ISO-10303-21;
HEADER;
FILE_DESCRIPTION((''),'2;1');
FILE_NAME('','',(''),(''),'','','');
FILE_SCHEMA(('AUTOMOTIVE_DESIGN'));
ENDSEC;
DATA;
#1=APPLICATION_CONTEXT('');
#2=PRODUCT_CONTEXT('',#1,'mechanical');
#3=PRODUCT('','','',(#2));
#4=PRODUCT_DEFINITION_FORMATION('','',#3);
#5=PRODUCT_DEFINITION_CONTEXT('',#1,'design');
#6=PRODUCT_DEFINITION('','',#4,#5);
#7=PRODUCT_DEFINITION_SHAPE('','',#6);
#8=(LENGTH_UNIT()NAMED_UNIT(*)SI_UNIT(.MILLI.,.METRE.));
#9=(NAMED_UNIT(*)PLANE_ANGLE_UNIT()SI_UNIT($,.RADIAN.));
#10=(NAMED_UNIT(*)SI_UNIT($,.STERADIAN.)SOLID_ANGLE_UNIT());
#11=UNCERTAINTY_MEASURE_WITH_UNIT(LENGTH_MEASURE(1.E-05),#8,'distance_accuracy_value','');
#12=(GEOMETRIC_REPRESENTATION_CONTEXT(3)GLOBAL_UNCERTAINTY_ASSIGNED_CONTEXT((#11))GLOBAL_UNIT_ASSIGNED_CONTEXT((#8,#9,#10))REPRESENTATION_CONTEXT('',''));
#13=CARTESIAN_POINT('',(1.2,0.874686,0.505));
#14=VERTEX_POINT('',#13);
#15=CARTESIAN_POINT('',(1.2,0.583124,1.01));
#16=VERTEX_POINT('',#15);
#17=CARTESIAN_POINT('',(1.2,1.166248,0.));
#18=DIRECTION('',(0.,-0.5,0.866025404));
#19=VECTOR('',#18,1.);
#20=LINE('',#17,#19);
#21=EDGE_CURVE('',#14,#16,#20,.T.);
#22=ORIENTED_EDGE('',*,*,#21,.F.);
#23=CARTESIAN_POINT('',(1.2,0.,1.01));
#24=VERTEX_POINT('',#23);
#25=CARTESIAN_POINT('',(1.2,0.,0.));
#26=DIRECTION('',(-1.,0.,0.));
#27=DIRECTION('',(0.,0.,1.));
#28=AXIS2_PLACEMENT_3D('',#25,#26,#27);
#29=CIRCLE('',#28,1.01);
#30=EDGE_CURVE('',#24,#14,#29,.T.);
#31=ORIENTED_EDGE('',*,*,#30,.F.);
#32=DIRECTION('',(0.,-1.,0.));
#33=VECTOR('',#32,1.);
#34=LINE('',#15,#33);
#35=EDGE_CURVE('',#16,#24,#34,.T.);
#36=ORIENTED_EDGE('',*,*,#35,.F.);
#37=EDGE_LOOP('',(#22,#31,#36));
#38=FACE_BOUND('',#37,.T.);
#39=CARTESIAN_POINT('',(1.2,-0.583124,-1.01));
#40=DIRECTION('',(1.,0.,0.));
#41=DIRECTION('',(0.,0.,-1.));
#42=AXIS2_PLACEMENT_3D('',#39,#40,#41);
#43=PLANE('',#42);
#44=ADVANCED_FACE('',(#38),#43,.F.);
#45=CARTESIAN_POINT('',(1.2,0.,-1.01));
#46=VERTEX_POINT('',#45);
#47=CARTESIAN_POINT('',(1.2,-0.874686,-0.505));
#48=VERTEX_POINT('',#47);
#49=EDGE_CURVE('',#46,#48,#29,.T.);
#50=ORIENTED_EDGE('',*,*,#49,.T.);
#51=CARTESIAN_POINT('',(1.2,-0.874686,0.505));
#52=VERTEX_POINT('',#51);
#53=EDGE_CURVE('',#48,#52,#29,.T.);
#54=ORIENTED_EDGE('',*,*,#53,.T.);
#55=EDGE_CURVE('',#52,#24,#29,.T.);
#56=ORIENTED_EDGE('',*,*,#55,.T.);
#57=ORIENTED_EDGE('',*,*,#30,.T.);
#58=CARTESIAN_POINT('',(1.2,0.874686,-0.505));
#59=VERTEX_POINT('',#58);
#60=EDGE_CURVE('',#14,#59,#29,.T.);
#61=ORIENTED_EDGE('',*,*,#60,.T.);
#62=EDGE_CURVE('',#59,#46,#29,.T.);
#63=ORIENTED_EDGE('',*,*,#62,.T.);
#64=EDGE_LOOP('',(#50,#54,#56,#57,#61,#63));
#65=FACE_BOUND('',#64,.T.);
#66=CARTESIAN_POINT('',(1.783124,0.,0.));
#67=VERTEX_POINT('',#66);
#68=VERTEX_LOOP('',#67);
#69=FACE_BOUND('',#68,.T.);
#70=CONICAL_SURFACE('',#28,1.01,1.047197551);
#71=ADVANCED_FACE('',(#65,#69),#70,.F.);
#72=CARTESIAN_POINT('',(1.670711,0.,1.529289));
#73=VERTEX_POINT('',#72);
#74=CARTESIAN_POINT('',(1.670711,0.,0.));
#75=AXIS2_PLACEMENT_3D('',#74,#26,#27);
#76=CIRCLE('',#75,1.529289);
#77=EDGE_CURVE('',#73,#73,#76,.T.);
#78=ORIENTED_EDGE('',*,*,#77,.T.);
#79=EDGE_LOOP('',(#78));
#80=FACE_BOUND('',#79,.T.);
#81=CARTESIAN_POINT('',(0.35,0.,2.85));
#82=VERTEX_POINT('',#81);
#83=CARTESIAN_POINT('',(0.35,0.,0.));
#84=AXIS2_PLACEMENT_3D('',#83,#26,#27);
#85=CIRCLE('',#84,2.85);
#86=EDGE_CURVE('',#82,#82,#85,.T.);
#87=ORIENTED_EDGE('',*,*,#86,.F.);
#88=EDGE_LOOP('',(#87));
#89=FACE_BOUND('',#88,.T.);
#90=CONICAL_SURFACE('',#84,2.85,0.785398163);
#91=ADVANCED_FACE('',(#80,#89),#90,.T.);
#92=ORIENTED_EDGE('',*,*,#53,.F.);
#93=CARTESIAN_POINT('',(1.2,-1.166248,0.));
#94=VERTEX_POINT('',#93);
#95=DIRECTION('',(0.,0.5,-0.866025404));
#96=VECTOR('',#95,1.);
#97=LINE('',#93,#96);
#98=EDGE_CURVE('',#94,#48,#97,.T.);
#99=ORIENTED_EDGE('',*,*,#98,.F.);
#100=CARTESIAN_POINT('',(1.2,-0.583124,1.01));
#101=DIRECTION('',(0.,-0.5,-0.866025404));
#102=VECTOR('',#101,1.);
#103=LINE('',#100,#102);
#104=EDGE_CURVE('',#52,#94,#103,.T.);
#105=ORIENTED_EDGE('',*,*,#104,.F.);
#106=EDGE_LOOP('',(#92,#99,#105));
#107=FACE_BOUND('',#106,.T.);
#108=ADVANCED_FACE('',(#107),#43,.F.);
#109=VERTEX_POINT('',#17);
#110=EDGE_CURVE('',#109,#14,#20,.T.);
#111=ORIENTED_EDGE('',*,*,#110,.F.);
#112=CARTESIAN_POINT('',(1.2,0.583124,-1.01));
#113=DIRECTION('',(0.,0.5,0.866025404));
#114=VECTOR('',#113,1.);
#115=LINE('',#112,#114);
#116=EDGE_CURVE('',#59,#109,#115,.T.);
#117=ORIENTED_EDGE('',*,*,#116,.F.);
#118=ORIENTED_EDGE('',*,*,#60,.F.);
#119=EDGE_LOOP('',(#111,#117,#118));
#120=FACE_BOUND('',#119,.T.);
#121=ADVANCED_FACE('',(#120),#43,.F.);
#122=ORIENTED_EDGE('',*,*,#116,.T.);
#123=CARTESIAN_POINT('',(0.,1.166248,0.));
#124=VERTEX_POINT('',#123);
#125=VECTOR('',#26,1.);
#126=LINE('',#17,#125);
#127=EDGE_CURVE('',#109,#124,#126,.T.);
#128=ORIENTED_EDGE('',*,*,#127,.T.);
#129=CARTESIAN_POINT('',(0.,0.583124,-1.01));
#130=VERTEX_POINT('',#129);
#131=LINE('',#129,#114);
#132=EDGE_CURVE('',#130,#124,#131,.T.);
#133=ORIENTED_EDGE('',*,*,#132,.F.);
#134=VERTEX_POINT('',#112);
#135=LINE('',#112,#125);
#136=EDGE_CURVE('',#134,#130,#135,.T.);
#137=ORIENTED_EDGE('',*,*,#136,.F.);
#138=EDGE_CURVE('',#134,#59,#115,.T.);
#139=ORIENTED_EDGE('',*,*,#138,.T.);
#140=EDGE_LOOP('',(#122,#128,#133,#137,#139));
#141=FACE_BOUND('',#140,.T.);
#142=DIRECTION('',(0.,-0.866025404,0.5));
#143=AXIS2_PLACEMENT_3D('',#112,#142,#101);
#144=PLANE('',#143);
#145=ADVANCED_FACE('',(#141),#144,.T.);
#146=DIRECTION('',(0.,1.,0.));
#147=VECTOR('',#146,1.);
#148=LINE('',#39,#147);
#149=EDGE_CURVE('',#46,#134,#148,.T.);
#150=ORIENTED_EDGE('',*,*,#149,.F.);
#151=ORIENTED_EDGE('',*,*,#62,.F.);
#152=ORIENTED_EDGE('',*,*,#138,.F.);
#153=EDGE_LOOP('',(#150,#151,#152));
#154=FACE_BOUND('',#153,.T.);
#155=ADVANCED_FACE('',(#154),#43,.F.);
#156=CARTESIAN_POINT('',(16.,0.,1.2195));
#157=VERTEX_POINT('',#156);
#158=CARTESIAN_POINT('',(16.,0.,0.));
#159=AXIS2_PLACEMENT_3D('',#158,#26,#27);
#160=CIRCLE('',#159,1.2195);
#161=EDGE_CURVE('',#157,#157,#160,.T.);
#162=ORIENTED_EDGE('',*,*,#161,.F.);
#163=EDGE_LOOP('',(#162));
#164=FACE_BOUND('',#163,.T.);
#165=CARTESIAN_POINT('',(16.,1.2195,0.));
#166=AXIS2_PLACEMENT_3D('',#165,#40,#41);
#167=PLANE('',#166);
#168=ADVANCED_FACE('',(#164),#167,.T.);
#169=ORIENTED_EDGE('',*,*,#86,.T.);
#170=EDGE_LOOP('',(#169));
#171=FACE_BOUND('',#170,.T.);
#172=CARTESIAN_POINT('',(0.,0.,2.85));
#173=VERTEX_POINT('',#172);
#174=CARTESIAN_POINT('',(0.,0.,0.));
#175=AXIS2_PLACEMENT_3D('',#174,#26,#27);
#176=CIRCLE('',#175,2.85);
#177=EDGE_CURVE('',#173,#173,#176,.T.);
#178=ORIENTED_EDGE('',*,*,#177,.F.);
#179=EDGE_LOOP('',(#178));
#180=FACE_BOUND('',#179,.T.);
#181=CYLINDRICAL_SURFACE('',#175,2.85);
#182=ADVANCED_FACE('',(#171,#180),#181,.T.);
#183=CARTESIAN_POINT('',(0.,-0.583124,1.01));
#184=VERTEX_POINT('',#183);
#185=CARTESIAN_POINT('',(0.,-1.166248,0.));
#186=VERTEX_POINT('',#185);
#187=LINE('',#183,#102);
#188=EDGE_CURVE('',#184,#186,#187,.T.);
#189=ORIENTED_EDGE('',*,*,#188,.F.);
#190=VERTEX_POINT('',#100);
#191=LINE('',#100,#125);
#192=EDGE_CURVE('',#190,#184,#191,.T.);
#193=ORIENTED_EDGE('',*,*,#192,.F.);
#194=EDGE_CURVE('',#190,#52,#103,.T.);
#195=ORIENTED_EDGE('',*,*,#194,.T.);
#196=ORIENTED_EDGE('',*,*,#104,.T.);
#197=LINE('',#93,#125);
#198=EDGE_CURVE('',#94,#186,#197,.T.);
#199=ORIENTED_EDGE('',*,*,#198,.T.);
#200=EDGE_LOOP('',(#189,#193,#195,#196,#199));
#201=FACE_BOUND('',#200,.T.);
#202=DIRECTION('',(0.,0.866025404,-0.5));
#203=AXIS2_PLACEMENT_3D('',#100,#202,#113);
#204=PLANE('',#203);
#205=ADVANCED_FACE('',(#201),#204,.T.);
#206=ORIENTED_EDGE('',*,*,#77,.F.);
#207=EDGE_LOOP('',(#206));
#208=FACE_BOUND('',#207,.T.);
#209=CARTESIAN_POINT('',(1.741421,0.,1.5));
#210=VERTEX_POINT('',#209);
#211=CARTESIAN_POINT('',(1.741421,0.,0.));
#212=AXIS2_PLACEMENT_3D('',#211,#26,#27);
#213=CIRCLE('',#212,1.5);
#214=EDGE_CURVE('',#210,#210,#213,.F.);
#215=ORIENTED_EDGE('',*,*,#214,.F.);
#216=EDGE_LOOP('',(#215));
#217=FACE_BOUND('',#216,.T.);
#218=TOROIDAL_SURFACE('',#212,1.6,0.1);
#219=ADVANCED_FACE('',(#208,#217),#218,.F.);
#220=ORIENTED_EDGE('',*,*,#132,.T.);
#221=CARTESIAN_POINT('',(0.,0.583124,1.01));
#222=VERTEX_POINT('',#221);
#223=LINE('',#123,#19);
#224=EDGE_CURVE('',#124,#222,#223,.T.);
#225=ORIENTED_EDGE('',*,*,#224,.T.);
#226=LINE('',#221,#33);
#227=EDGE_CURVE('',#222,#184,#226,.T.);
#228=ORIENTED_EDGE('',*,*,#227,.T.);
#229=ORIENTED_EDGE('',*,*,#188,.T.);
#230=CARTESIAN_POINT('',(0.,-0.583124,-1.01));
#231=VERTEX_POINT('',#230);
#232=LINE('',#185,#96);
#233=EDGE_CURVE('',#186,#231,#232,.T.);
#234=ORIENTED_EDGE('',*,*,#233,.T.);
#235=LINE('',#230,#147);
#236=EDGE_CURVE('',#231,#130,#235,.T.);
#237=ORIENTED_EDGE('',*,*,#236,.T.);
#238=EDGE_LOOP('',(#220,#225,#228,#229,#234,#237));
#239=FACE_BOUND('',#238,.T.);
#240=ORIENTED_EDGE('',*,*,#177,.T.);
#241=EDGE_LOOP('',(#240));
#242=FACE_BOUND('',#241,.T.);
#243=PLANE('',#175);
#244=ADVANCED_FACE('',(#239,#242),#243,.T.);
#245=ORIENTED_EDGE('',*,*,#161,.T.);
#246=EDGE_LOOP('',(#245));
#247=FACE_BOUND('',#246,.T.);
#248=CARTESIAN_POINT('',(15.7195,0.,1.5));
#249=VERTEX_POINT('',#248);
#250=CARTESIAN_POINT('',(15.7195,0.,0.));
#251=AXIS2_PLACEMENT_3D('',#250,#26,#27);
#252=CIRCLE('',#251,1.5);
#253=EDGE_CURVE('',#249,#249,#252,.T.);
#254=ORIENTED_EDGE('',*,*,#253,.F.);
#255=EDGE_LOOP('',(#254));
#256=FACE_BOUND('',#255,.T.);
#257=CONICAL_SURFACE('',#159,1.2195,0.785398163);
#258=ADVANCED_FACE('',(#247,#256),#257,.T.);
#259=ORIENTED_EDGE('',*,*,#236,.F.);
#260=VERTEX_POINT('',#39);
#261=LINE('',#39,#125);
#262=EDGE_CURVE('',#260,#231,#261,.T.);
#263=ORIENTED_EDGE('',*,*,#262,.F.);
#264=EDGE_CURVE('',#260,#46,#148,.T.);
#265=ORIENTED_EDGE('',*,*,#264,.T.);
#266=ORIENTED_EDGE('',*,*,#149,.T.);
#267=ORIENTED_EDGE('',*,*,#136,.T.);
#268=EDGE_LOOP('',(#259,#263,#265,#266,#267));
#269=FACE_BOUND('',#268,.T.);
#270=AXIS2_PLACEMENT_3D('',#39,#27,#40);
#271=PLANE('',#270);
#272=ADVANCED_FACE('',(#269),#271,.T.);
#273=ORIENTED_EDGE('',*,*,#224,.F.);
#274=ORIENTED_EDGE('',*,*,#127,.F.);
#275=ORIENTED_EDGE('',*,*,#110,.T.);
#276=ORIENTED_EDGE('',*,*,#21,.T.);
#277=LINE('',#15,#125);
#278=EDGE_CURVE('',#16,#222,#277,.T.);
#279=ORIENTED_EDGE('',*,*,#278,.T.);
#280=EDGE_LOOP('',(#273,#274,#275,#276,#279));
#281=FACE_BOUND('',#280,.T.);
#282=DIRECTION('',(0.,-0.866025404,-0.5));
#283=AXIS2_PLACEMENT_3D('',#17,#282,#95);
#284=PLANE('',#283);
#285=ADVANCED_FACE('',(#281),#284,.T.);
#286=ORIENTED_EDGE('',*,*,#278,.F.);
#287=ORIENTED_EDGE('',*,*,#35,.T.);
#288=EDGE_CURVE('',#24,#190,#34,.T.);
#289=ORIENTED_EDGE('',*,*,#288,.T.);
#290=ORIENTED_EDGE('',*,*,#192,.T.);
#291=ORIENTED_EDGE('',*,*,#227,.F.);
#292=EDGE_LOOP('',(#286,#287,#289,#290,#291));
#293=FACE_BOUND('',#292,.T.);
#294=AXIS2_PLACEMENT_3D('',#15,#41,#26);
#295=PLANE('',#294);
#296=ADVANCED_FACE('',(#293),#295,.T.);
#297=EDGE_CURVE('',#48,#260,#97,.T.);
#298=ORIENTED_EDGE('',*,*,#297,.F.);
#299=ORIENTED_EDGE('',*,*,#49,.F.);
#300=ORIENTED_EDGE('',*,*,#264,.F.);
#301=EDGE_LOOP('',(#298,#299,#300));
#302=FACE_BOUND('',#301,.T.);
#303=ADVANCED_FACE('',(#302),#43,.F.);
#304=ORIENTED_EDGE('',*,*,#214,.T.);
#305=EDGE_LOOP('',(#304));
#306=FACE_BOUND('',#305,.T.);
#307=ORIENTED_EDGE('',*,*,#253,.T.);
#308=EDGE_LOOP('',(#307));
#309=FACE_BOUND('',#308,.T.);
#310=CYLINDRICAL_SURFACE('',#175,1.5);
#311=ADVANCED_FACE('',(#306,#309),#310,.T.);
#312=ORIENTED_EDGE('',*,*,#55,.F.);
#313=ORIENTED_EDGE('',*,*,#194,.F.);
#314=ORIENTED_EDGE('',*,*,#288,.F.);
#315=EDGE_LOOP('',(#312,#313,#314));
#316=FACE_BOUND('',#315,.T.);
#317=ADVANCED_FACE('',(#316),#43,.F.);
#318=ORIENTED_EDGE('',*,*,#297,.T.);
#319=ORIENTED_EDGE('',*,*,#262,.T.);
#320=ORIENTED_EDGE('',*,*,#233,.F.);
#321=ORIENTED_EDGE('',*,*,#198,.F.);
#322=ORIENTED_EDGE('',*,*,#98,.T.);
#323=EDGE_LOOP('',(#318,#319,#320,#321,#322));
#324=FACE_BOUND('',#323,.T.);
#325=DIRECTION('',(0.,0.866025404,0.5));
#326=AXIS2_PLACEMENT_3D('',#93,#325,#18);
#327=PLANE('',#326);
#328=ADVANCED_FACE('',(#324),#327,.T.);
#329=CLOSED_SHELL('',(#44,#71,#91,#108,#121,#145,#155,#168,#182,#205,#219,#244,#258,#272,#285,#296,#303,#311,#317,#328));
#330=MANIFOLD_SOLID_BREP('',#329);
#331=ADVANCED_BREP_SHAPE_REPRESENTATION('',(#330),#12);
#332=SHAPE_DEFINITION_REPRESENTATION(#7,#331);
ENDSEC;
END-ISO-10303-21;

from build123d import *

# Parameters (mm, degrees)
FILLET1_R   = 0.1
HEX_2_DEPTH = 1.2


with BuildPart() as part:
    # BodySke → BaseBody (revolve)
    with BuildSketch(Plane.XY):
        Polygon((0, 0), (0, 2.85), (0.35, 2.85), (1.7, 1.5), (15.7195, 1.5), (16, 1.2195), (16, 0), align=None)
    revolve(axis=Axis((0, 0, 0), (1, 0, 0)))

    # Fillet1
    fillet1_edges = [part.edges().sort_by_distance(p)[0] for p in [
        (1.7, -1.5, 0),
    ]]
    fillet(fillet1_edges, radius=FILLET1_R)

    # Sketch2 → PreBroach (revolve, cut)
    with BuildSketch(Plane.XY):
        Polygon((0, 1.01), (1.2, 1.01), (1.783123772, 0), (0, 0), align=None)
    revolve(axis=Axis((0, 0, 0), (1, 0, 0)), mode=Mode.SUBTRACT)

    # Sketch3 → Hex 2 (cut)
    with BuildSketch(Plane.ZY):
        Polygon((-1.01, -0.583123772), (-1.01, 0.583123772), (0, 1.166247544), (1.01, 0.583123772), (1.01, -0.583123772), (0, -1.166247544), align=None)
    extrude(amount=-HEX_2_DEPTH, mode=Mode.SUBTRACT)


solid = part.part
